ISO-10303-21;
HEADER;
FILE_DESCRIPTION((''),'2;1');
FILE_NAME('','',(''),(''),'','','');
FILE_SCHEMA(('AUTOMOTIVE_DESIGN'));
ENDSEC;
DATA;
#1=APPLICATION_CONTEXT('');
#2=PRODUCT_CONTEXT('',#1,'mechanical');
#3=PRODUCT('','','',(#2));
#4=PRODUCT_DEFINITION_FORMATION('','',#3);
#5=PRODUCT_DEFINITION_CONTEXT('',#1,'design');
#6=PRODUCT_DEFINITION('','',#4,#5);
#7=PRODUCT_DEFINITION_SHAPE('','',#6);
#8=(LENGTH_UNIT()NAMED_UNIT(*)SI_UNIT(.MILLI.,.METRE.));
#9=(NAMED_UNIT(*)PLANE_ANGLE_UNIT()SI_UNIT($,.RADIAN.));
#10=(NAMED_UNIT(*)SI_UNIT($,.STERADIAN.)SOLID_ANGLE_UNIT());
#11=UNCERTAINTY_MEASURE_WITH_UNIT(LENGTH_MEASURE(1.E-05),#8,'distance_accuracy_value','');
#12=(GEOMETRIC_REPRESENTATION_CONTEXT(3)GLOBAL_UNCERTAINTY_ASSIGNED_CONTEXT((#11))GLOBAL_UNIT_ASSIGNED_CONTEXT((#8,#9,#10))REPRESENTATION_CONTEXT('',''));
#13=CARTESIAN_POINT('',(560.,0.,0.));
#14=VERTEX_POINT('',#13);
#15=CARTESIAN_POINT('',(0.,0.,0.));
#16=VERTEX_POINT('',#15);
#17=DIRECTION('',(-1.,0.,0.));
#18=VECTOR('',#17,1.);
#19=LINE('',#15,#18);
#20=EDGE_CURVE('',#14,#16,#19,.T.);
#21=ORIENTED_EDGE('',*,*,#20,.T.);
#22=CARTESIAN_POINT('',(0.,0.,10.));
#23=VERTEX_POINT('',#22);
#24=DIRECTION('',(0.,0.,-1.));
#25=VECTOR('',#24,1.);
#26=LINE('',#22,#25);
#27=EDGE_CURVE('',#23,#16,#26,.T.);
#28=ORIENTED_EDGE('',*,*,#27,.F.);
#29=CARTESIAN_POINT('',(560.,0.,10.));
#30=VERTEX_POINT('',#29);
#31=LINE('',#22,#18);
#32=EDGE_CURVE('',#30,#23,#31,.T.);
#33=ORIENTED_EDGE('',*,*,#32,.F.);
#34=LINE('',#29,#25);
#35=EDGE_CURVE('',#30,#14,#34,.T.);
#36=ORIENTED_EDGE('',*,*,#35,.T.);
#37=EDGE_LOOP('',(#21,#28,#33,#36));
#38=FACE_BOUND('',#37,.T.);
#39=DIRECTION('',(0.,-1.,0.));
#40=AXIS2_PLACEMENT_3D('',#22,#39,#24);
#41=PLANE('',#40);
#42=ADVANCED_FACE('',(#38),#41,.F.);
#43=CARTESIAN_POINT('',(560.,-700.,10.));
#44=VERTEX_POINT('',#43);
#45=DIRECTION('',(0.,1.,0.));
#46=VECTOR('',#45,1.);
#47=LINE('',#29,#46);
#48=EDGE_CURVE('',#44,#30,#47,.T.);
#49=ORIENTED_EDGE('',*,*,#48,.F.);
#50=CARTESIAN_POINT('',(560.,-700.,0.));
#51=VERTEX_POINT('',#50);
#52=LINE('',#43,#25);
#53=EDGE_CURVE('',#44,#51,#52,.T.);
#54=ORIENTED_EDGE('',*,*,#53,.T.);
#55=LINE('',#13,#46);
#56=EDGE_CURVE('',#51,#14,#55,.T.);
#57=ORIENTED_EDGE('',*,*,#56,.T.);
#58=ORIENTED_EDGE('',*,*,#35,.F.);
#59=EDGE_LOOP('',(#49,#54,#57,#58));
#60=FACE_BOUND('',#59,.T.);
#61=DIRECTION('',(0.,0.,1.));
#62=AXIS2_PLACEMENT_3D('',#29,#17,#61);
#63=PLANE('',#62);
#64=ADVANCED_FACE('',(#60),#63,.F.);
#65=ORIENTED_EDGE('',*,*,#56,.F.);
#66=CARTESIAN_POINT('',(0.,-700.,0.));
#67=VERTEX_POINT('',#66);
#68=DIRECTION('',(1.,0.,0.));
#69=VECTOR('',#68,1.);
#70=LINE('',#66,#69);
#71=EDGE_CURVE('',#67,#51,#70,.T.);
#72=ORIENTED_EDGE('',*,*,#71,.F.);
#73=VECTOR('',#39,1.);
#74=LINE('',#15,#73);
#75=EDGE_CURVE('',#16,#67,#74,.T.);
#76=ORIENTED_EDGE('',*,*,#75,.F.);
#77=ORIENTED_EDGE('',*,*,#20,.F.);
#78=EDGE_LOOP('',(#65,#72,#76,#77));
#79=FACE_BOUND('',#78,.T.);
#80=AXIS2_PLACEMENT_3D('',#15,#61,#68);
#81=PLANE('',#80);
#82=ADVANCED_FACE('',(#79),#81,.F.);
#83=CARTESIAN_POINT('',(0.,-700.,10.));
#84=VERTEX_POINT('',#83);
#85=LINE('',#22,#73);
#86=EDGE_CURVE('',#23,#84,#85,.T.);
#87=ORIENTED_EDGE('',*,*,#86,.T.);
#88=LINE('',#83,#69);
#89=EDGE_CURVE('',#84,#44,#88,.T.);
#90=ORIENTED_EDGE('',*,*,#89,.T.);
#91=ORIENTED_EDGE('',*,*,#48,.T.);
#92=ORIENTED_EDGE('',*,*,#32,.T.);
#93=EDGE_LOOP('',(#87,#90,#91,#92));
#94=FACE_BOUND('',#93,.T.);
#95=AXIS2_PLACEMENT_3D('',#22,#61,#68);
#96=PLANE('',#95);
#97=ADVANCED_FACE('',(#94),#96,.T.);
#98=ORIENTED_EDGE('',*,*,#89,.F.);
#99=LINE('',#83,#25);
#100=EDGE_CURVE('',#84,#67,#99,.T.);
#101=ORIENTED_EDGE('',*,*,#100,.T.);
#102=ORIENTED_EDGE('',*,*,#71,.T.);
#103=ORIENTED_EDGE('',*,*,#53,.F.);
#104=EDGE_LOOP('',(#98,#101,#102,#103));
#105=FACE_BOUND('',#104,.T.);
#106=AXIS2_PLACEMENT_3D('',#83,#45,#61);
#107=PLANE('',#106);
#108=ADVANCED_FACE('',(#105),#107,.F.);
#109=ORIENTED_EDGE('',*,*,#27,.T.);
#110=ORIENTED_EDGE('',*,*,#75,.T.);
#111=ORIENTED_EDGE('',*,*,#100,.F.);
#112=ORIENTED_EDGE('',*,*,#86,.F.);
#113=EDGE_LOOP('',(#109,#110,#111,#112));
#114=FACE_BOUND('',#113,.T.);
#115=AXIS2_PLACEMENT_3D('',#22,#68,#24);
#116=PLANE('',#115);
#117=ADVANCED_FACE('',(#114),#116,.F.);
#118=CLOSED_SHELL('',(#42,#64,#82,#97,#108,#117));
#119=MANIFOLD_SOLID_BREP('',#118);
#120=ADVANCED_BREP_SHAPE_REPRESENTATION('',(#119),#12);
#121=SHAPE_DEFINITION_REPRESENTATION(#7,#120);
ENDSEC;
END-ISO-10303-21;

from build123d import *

# Parameters (mm, degrees)
SKETCH_1_W      = 560
SKETCH_1_H      = 700
EXTRUDE_1_DEPTH = 10


with BuildPart() as part:
    # 草图1 → 凸台-拉伸1 (new body)
    with BuildSketch(Plane.XY):
        with Locations((280, -350)):
            Rectangle(SKETCH_1_W, SKETCH_1_H)
    extrude(amount=EXTRUDE_1_DEPTH)


solid = part.part
